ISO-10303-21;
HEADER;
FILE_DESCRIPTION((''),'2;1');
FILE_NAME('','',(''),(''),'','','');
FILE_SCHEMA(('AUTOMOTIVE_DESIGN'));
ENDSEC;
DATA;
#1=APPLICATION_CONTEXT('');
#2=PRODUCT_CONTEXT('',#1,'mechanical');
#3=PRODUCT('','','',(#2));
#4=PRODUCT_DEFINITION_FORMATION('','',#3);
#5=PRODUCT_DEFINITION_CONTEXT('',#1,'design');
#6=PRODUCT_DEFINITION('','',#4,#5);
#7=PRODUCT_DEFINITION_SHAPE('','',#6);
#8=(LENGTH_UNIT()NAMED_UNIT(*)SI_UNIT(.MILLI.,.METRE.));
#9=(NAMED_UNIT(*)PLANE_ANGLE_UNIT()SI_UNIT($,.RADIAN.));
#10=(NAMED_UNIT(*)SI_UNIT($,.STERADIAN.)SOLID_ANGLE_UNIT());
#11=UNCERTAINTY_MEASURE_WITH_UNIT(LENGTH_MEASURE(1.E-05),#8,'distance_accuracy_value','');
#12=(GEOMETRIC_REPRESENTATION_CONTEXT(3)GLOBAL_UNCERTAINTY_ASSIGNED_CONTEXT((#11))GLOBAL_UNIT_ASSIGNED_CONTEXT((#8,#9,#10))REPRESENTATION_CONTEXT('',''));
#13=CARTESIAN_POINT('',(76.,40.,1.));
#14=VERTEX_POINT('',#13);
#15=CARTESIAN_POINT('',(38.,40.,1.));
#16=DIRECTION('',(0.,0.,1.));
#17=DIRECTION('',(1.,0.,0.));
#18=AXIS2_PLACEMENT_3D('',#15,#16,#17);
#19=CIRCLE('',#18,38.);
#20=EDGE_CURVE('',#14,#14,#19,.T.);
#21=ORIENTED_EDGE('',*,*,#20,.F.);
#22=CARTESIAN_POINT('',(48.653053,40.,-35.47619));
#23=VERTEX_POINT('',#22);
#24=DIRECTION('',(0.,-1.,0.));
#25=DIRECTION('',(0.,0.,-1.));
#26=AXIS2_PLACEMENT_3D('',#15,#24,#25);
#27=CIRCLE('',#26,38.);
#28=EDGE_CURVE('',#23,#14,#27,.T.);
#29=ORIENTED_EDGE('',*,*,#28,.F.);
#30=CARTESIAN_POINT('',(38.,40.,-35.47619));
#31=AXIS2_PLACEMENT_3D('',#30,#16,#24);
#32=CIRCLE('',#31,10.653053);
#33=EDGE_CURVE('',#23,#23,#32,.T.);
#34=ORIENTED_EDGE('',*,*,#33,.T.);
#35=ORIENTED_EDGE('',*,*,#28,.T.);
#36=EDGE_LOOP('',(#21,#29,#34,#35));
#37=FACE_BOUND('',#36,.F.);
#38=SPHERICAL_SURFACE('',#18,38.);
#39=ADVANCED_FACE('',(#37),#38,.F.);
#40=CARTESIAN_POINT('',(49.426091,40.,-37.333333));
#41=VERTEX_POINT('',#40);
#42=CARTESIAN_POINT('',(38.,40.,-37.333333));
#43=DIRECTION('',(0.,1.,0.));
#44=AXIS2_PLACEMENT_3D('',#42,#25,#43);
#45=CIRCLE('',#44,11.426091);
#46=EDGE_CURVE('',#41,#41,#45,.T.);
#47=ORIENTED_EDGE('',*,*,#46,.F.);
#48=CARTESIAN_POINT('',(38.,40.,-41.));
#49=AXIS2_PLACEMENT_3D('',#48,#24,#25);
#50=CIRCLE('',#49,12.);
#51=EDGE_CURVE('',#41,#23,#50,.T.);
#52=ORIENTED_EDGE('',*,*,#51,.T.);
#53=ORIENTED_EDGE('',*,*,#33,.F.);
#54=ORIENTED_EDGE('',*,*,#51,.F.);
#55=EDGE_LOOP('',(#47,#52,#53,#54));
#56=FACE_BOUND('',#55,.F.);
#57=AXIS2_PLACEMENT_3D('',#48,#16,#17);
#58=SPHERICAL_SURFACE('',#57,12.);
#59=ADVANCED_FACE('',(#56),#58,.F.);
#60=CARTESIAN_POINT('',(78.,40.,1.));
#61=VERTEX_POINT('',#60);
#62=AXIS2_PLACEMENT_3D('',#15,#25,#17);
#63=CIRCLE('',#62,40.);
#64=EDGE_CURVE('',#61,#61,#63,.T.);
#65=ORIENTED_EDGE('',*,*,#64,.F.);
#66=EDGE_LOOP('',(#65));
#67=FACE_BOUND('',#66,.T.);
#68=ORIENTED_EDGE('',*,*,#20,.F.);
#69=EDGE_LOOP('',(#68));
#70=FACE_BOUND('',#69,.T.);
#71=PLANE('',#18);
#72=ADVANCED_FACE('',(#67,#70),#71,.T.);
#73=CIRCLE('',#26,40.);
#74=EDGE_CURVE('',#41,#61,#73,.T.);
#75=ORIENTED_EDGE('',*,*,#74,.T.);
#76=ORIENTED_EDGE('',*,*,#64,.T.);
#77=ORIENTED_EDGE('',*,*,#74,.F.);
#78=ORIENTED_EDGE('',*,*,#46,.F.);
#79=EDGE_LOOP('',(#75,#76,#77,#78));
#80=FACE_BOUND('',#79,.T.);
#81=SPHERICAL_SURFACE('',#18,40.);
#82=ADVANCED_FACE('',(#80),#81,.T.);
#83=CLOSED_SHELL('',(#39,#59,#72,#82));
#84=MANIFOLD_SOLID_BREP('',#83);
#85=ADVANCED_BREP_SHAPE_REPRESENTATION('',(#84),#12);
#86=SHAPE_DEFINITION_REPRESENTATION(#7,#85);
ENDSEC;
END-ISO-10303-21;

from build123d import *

# Parameters (mm, degrees)
BOX001_W     = 80
BOX001_H     = 80
BOX001_DEPTH = 40


with BuildPart() as domepunch:
    # Sphere → Sphere (revolve)
    with BuildSketch(Plane(origin=(38, 38, 0), x_dir=(1, 0, 0), z_dir=(0, -1, 0))):
        with BuildLine():
            ThreePointArc((0, -38), (38, 0), (0, 38))
            Line((0, 38), (0, -38))
        make_face()
    revolve(axis=Axis((38, 38, 0), (0, 0, 1)))


with BuildPart() as domeslice:
    # Box001 → Box001 (new body)
    with BuildSketch(Plane(origin=(-2, -2, 0), x_dir=(1, 0, 0), z_dir=(0, 0, 1))):
        with Locations((40, 40)):
            Rectangle(BOX001_W, BOX001_H)
    extrude(amount=BOX001_DEPTH)


with BuildPart() as fusion003:
    # Sphere002 → Sphere002 (revolve)
    with BuildSketch(Plane(origin=(38, 38, -42), x_dir=(1, 0, 0), z_dir=(0, -1, 0))):
        with BuildLine():
            ThreePointArc((0, -12), (12, 0), (0, 12))
            Line((0, 12), (0, -12))
        make_face()
    revolve(axis=Axis((38, 38, -42), (0, 0, 1)))

    # Fusion003: union DomePunch, DomeSlice
    add(domepunch.part)
    add(domeslice.part)


with BuildPart() as dome:
    # Sphere001 → Sphere001 (revolve)
    with BuildSketch(Plane(origin=(38, 38, 0), x_dir=(1, 0, 0), z_dir=(0, -1, 0))):
        with BuildLine():
            ThreePointArc((0, -40), (40, 0), (0, 40))
            Line((0, 40), (0, -40))
        make_face()
    revolve(axis=Axis((38, 38, 0), (0, 0, 1)))

    # Cut: cut Fusion003
    add(fusion003.part, mode=Mode.SUBTRACT)


with BuildPart() as dome_1:
    # Cut placement: moved
    add(dome.part.moved(Location((0, 2, 1))))


solid = dome_1.part
